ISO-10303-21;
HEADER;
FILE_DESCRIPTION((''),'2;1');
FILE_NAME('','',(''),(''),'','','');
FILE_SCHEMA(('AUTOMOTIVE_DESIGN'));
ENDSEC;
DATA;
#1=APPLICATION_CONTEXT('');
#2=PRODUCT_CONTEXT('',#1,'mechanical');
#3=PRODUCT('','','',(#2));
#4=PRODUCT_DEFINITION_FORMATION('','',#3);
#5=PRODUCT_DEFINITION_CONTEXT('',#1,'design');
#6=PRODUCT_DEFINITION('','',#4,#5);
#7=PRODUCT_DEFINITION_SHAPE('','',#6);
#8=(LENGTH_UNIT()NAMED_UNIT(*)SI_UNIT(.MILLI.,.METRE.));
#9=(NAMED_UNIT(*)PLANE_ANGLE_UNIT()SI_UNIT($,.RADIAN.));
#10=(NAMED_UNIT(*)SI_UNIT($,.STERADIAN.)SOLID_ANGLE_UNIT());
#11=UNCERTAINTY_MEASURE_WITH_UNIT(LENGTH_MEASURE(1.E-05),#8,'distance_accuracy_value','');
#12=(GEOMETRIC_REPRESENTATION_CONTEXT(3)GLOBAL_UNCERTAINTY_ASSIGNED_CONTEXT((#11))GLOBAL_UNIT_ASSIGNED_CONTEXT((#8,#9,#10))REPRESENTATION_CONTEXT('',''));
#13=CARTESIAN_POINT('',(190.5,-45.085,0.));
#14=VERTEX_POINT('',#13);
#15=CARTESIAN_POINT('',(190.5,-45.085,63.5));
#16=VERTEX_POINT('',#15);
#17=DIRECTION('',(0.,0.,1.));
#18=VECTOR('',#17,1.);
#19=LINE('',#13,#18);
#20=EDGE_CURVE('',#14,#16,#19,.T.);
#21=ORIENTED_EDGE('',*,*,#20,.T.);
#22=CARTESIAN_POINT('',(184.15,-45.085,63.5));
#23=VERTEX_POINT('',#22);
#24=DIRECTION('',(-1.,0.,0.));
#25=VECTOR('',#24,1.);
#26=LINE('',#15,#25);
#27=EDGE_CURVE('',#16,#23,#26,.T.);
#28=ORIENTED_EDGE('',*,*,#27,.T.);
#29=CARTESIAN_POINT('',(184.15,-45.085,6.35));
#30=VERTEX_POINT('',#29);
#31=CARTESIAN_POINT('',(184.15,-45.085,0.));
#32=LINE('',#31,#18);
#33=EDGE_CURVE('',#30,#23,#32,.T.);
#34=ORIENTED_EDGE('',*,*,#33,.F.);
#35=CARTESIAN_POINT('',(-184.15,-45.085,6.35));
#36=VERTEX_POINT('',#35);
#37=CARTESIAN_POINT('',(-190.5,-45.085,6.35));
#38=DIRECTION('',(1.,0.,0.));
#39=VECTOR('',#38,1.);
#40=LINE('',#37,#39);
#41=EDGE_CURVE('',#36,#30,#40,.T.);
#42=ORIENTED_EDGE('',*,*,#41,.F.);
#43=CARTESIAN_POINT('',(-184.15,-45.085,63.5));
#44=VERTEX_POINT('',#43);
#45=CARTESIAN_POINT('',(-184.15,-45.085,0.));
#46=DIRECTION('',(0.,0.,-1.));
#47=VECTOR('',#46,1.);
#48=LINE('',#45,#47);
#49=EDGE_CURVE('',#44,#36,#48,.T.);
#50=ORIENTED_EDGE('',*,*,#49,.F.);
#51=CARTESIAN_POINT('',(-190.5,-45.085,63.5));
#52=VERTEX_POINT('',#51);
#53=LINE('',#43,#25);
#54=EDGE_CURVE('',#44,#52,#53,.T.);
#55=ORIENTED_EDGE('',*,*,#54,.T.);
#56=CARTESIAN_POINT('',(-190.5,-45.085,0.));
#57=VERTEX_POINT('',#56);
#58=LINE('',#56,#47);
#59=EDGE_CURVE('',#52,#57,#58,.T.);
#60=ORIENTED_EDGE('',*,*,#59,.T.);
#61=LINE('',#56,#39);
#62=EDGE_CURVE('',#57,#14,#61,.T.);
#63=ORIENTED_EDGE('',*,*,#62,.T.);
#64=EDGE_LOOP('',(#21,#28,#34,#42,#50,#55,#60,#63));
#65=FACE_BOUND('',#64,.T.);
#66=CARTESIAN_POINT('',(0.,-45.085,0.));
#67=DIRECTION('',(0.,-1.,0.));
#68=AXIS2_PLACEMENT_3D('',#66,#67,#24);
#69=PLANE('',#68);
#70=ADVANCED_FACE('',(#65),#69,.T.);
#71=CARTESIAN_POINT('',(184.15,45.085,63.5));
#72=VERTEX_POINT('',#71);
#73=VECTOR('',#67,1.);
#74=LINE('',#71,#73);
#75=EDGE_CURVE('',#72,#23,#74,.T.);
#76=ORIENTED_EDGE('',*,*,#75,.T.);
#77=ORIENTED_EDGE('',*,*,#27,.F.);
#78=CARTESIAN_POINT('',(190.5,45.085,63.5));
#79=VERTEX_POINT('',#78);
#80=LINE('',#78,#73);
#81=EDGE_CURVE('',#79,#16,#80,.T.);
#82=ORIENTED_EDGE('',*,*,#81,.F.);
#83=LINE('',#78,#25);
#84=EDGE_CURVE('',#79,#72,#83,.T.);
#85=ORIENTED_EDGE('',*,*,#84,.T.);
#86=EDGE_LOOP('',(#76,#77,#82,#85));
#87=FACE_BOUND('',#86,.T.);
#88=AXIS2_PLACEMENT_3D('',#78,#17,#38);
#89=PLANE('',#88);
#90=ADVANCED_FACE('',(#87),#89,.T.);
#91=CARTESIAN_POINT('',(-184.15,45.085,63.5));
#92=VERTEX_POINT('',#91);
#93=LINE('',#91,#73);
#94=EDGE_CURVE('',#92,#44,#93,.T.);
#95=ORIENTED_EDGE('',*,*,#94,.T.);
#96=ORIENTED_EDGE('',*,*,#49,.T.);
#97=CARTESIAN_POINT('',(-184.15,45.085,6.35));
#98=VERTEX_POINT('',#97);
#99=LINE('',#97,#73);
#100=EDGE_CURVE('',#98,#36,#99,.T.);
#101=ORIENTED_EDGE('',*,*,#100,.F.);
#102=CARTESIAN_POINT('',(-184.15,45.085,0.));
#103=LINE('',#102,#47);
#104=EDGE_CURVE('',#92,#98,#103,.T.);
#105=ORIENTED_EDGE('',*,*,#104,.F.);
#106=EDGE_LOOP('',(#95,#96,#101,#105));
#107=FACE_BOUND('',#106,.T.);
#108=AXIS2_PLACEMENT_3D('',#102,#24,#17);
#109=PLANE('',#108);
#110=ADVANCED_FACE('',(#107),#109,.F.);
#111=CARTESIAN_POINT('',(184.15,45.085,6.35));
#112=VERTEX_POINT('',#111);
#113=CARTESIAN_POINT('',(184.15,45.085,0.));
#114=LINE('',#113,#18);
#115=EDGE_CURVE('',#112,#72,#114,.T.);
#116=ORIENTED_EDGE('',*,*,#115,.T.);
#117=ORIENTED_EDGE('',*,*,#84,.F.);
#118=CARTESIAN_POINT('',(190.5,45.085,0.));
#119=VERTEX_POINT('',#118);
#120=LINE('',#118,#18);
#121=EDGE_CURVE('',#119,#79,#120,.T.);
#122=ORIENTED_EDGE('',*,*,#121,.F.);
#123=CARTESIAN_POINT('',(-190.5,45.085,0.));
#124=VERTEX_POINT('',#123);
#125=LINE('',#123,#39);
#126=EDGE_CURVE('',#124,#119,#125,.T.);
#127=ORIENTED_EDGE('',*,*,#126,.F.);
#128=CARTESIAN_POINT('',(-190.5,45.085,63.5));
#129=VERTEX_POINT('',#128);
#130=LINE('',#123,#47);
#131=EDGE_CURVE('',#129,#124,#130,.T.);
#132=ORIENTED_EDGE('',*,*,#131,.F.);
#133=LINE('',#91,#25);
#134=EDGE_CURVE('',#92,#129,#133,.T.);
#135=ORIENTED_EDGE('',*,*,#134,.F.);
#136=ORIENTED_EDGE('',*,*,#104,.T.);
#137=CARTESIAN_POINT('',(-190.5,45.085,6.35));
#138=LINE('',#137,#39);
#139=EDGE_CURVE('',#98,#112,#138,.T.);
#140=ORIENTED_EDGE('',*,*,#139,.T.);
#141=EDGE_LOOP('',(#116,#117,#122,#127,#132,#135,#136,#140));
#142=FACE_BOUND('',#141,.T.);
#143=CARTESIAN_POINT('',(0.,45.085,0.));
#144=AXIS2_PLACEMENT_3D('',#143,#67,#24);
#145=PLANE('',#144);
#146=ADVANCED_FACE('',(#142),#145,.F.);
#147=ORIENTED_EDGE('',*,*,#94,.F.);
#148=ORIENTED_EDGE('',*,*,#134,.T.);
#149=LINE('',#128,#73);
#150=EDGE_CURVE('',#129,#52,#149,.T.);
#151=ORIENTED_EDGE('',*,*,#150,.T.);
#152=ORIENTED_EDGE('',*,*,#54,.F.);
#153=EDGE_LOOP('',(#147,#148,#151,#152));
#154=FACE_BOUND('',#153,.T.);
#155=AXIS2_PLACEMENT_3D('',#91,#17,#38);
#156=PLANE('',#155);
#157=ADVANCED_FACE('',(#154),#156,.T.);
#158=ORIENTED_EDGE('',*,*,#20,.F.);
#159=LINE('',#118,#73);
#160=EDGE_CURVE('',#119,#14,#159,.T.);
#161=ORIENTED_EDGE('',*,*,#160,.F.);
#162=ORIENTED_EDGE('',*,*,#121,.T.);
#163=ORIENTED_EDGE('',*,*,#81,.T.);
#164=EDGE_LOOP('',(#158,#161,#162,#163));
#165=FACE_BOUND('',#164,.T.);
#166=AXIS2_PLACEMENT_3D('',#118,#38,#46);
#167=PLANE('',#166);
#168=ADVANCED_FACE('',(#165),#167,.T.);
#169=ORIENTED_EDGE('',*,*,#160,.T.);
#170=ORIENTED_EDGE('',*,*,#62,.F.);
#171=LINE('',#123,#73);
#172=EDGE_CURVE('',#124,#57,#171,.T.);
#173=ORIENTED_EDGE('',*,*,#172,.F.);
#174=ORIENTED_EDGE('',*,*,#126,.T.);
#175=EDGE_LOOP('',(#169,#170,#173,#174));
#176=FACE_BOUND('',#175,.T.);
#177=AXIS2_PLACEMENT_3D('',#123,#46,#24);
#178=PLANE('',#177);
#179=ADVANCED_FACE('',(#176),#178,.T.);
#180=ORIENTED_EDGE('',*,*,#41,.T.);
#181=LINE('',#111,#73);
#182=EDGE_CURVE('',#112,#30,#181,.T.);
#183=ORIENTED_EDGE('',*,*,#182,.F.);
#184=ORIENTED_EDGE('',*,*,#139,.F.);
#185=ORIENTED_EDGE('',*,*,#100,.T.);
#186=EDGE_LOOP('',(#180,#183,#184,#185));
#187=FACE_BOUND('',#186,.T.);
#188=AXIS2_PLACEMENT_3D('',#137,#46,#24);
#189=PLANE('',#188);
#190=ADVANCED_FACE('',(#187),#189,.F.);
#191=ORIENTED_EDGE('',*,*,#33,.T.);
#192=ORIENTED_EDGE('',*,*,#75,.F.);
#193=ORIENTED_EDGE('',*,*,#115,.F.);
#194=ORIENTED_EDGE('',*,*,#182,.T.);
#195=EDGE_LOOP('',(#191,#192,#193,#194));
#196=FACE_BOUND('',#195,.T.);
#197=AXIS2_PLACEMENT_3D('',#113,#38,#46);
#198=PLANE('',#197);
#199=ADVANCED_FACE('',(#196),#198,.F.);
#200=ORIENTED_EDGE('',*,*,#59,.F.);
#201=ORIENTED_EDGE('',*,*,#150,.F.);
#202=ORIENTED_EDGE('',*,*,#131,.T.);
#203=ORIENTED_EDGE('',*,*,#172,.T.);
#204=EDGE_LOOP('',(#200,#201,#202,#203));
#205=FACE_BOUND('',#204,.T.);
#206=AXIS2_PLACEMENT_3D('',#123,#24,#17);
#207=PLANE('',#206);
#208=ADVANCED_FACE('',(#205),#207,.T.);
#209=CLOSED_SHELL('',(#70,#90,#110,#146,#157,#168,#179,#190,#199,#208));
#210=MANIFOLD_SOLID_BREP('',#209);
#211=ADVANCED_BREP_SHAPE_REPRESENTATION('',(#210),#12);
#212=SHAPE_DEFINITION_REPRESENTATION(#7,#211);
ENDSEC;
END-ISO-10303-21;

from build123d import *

# Parameters (mm, degrees)
EXTRUDE_THIN1_DEPTH = 45.085


with BuildPart() as part:
    # Sketch1 → Extrude-Thin1 (new body, symmetric)
    with BuildSketch(Plane(origin=(0, 0, 0), x_dir=(1, 0, 0), z_dir=(0, 1, 0))):
        Polygon((-190.5, -63.5), (-190.5, 0), (190.5, 0), (190.5, -63.5), (184.15, -63.5), (184.15, -6.35), (-184.15, -6.35), (-184.15, -63.5), align=None)
    extrude(amount=EXTRUDE_THIN1_DEPTH, both=True)


solid = part.part
